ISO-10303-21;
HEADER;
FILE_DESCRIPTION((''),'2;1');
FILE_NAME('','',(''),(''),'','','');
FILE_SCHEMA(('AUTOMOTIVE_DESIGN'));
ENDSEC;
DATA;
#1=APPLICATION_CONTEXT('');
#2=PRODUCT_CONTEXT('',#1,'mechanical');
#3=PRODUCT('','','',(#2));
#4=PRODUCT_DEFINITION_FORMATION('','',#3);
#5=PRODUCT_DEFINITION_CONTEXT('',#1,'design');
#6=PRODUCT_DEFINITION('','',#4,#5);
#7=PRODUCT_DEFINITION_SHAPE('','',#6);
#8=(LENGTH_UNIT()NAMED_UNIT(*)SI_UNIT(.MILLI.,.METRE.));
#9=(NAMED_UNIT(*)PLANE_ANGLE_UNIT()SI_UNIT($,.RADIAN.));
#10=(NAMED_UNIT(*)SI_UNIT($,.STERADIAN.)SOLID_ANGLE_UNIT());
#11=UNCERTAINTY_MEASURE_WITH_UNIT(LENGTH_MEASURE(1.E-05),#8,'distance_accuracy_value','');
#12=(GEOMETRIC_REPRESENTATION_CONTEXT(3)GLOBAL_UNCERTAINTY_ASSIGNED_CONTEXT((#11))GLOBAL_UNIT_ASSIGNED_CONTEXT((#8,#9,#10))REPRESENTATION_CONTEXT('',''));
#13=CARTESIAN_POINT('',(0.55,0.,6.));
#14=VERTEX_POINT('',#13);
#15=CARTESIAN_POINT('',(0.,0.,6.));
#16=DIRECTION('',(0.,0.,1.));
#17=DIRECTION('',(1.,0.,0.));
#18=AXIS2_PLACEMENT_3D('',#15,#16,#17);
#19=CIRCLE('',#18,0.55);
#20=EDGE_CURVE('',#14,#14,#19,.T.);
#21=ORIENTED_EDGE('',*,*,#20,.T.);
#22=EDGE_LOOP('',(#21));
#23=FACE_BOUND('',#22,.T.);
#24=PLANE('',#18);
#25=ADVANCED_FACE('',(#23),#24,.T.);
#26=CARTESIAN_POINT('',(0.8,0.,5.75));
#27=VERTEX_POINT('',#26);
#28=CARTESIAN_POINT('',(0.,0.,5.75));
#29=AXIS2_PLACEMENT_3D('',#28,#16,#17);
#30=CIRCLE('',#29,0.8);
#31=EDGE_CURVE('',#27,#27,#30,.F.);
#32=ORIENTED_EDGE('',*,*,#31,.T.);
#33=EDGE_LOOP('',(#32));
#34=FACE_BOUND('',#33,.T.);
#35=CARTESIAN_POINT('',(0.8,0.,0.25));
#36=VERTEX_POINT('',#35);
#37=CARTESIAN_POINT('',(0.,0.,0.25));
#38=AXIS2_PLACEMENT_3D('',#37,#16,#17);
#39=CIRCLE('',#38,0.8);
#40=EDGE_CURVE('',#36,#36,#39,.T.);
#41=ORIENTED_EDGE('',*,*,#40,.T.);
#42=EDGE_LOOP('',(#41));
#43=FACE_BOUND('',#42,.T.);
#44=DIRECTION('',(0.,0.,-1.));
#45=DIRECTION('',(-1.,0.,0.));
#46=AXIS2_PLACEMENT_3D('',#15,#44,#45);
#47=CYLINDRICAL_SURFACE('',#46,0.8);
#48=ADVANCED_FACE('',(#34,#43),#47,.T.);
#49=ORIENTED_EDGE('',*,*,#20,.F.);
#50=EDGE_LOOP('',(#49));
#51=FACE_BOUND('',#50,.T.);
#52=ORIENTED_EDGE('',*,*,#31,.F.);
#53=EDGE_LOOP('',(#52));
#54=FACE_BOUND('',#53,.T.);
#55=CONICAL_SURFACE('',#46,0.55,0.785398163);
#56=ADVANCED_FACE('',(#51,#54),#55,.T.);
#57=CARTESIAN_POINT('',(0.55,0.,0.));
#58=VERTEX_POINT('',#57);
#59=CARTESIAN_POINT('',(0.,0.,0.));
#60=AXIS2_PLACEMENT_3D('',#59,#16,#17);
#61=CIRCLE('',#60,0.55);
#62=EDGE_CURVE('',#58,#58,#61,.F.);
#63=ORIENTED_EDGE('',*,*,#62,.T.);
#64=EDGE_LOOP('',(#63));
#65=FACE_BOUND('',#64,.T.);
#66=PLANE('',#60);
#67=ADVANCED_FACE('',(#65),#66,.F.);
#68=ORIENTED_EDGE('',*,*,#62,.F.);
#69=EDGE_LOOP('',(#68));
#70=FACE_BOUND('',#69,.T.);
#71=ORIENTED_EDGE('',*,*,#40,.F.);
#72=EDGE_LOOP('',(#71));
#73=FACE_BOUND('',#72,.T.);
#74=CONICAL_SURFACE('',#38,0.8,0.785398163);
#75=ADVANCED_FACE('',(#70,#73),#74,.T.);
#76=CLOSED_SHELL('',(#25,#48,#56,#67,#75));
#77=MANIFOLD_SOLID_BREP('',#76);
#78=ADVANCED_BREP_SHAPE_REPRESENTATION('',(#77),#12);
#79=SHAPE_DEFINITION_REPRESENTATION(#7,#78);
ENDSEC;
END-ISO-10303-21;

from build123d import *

# Parameters (mm, degrees)
SZKIC1_R                    = 0.8
DODANIE_WYCI_GNI_CIE1_DEPTH = 6
SFAZOWANIE1_SIZE            = 0.25


with BuildPart() as part:
    # Szkic1 → Dodanie-wyciągnięcie1 (new body)
    with BuildSketch(Plane.XY):
        Circle(SZKIC1_R)
    extrude(amount=DODANIE_WYCI_GNI_CIE1_DEPTH)

    # Sfazowanie1
    sfazowanie1_edges = [part.edges().sort_by_distance(p)[0] for p in [
        (-0.8, 0, 0),
        (-0.8, 0, 6),
    ]]
    chamfer(sfazowanie1_edges, length=SFAZOWANIE1_SIZE)


solid = part.part
